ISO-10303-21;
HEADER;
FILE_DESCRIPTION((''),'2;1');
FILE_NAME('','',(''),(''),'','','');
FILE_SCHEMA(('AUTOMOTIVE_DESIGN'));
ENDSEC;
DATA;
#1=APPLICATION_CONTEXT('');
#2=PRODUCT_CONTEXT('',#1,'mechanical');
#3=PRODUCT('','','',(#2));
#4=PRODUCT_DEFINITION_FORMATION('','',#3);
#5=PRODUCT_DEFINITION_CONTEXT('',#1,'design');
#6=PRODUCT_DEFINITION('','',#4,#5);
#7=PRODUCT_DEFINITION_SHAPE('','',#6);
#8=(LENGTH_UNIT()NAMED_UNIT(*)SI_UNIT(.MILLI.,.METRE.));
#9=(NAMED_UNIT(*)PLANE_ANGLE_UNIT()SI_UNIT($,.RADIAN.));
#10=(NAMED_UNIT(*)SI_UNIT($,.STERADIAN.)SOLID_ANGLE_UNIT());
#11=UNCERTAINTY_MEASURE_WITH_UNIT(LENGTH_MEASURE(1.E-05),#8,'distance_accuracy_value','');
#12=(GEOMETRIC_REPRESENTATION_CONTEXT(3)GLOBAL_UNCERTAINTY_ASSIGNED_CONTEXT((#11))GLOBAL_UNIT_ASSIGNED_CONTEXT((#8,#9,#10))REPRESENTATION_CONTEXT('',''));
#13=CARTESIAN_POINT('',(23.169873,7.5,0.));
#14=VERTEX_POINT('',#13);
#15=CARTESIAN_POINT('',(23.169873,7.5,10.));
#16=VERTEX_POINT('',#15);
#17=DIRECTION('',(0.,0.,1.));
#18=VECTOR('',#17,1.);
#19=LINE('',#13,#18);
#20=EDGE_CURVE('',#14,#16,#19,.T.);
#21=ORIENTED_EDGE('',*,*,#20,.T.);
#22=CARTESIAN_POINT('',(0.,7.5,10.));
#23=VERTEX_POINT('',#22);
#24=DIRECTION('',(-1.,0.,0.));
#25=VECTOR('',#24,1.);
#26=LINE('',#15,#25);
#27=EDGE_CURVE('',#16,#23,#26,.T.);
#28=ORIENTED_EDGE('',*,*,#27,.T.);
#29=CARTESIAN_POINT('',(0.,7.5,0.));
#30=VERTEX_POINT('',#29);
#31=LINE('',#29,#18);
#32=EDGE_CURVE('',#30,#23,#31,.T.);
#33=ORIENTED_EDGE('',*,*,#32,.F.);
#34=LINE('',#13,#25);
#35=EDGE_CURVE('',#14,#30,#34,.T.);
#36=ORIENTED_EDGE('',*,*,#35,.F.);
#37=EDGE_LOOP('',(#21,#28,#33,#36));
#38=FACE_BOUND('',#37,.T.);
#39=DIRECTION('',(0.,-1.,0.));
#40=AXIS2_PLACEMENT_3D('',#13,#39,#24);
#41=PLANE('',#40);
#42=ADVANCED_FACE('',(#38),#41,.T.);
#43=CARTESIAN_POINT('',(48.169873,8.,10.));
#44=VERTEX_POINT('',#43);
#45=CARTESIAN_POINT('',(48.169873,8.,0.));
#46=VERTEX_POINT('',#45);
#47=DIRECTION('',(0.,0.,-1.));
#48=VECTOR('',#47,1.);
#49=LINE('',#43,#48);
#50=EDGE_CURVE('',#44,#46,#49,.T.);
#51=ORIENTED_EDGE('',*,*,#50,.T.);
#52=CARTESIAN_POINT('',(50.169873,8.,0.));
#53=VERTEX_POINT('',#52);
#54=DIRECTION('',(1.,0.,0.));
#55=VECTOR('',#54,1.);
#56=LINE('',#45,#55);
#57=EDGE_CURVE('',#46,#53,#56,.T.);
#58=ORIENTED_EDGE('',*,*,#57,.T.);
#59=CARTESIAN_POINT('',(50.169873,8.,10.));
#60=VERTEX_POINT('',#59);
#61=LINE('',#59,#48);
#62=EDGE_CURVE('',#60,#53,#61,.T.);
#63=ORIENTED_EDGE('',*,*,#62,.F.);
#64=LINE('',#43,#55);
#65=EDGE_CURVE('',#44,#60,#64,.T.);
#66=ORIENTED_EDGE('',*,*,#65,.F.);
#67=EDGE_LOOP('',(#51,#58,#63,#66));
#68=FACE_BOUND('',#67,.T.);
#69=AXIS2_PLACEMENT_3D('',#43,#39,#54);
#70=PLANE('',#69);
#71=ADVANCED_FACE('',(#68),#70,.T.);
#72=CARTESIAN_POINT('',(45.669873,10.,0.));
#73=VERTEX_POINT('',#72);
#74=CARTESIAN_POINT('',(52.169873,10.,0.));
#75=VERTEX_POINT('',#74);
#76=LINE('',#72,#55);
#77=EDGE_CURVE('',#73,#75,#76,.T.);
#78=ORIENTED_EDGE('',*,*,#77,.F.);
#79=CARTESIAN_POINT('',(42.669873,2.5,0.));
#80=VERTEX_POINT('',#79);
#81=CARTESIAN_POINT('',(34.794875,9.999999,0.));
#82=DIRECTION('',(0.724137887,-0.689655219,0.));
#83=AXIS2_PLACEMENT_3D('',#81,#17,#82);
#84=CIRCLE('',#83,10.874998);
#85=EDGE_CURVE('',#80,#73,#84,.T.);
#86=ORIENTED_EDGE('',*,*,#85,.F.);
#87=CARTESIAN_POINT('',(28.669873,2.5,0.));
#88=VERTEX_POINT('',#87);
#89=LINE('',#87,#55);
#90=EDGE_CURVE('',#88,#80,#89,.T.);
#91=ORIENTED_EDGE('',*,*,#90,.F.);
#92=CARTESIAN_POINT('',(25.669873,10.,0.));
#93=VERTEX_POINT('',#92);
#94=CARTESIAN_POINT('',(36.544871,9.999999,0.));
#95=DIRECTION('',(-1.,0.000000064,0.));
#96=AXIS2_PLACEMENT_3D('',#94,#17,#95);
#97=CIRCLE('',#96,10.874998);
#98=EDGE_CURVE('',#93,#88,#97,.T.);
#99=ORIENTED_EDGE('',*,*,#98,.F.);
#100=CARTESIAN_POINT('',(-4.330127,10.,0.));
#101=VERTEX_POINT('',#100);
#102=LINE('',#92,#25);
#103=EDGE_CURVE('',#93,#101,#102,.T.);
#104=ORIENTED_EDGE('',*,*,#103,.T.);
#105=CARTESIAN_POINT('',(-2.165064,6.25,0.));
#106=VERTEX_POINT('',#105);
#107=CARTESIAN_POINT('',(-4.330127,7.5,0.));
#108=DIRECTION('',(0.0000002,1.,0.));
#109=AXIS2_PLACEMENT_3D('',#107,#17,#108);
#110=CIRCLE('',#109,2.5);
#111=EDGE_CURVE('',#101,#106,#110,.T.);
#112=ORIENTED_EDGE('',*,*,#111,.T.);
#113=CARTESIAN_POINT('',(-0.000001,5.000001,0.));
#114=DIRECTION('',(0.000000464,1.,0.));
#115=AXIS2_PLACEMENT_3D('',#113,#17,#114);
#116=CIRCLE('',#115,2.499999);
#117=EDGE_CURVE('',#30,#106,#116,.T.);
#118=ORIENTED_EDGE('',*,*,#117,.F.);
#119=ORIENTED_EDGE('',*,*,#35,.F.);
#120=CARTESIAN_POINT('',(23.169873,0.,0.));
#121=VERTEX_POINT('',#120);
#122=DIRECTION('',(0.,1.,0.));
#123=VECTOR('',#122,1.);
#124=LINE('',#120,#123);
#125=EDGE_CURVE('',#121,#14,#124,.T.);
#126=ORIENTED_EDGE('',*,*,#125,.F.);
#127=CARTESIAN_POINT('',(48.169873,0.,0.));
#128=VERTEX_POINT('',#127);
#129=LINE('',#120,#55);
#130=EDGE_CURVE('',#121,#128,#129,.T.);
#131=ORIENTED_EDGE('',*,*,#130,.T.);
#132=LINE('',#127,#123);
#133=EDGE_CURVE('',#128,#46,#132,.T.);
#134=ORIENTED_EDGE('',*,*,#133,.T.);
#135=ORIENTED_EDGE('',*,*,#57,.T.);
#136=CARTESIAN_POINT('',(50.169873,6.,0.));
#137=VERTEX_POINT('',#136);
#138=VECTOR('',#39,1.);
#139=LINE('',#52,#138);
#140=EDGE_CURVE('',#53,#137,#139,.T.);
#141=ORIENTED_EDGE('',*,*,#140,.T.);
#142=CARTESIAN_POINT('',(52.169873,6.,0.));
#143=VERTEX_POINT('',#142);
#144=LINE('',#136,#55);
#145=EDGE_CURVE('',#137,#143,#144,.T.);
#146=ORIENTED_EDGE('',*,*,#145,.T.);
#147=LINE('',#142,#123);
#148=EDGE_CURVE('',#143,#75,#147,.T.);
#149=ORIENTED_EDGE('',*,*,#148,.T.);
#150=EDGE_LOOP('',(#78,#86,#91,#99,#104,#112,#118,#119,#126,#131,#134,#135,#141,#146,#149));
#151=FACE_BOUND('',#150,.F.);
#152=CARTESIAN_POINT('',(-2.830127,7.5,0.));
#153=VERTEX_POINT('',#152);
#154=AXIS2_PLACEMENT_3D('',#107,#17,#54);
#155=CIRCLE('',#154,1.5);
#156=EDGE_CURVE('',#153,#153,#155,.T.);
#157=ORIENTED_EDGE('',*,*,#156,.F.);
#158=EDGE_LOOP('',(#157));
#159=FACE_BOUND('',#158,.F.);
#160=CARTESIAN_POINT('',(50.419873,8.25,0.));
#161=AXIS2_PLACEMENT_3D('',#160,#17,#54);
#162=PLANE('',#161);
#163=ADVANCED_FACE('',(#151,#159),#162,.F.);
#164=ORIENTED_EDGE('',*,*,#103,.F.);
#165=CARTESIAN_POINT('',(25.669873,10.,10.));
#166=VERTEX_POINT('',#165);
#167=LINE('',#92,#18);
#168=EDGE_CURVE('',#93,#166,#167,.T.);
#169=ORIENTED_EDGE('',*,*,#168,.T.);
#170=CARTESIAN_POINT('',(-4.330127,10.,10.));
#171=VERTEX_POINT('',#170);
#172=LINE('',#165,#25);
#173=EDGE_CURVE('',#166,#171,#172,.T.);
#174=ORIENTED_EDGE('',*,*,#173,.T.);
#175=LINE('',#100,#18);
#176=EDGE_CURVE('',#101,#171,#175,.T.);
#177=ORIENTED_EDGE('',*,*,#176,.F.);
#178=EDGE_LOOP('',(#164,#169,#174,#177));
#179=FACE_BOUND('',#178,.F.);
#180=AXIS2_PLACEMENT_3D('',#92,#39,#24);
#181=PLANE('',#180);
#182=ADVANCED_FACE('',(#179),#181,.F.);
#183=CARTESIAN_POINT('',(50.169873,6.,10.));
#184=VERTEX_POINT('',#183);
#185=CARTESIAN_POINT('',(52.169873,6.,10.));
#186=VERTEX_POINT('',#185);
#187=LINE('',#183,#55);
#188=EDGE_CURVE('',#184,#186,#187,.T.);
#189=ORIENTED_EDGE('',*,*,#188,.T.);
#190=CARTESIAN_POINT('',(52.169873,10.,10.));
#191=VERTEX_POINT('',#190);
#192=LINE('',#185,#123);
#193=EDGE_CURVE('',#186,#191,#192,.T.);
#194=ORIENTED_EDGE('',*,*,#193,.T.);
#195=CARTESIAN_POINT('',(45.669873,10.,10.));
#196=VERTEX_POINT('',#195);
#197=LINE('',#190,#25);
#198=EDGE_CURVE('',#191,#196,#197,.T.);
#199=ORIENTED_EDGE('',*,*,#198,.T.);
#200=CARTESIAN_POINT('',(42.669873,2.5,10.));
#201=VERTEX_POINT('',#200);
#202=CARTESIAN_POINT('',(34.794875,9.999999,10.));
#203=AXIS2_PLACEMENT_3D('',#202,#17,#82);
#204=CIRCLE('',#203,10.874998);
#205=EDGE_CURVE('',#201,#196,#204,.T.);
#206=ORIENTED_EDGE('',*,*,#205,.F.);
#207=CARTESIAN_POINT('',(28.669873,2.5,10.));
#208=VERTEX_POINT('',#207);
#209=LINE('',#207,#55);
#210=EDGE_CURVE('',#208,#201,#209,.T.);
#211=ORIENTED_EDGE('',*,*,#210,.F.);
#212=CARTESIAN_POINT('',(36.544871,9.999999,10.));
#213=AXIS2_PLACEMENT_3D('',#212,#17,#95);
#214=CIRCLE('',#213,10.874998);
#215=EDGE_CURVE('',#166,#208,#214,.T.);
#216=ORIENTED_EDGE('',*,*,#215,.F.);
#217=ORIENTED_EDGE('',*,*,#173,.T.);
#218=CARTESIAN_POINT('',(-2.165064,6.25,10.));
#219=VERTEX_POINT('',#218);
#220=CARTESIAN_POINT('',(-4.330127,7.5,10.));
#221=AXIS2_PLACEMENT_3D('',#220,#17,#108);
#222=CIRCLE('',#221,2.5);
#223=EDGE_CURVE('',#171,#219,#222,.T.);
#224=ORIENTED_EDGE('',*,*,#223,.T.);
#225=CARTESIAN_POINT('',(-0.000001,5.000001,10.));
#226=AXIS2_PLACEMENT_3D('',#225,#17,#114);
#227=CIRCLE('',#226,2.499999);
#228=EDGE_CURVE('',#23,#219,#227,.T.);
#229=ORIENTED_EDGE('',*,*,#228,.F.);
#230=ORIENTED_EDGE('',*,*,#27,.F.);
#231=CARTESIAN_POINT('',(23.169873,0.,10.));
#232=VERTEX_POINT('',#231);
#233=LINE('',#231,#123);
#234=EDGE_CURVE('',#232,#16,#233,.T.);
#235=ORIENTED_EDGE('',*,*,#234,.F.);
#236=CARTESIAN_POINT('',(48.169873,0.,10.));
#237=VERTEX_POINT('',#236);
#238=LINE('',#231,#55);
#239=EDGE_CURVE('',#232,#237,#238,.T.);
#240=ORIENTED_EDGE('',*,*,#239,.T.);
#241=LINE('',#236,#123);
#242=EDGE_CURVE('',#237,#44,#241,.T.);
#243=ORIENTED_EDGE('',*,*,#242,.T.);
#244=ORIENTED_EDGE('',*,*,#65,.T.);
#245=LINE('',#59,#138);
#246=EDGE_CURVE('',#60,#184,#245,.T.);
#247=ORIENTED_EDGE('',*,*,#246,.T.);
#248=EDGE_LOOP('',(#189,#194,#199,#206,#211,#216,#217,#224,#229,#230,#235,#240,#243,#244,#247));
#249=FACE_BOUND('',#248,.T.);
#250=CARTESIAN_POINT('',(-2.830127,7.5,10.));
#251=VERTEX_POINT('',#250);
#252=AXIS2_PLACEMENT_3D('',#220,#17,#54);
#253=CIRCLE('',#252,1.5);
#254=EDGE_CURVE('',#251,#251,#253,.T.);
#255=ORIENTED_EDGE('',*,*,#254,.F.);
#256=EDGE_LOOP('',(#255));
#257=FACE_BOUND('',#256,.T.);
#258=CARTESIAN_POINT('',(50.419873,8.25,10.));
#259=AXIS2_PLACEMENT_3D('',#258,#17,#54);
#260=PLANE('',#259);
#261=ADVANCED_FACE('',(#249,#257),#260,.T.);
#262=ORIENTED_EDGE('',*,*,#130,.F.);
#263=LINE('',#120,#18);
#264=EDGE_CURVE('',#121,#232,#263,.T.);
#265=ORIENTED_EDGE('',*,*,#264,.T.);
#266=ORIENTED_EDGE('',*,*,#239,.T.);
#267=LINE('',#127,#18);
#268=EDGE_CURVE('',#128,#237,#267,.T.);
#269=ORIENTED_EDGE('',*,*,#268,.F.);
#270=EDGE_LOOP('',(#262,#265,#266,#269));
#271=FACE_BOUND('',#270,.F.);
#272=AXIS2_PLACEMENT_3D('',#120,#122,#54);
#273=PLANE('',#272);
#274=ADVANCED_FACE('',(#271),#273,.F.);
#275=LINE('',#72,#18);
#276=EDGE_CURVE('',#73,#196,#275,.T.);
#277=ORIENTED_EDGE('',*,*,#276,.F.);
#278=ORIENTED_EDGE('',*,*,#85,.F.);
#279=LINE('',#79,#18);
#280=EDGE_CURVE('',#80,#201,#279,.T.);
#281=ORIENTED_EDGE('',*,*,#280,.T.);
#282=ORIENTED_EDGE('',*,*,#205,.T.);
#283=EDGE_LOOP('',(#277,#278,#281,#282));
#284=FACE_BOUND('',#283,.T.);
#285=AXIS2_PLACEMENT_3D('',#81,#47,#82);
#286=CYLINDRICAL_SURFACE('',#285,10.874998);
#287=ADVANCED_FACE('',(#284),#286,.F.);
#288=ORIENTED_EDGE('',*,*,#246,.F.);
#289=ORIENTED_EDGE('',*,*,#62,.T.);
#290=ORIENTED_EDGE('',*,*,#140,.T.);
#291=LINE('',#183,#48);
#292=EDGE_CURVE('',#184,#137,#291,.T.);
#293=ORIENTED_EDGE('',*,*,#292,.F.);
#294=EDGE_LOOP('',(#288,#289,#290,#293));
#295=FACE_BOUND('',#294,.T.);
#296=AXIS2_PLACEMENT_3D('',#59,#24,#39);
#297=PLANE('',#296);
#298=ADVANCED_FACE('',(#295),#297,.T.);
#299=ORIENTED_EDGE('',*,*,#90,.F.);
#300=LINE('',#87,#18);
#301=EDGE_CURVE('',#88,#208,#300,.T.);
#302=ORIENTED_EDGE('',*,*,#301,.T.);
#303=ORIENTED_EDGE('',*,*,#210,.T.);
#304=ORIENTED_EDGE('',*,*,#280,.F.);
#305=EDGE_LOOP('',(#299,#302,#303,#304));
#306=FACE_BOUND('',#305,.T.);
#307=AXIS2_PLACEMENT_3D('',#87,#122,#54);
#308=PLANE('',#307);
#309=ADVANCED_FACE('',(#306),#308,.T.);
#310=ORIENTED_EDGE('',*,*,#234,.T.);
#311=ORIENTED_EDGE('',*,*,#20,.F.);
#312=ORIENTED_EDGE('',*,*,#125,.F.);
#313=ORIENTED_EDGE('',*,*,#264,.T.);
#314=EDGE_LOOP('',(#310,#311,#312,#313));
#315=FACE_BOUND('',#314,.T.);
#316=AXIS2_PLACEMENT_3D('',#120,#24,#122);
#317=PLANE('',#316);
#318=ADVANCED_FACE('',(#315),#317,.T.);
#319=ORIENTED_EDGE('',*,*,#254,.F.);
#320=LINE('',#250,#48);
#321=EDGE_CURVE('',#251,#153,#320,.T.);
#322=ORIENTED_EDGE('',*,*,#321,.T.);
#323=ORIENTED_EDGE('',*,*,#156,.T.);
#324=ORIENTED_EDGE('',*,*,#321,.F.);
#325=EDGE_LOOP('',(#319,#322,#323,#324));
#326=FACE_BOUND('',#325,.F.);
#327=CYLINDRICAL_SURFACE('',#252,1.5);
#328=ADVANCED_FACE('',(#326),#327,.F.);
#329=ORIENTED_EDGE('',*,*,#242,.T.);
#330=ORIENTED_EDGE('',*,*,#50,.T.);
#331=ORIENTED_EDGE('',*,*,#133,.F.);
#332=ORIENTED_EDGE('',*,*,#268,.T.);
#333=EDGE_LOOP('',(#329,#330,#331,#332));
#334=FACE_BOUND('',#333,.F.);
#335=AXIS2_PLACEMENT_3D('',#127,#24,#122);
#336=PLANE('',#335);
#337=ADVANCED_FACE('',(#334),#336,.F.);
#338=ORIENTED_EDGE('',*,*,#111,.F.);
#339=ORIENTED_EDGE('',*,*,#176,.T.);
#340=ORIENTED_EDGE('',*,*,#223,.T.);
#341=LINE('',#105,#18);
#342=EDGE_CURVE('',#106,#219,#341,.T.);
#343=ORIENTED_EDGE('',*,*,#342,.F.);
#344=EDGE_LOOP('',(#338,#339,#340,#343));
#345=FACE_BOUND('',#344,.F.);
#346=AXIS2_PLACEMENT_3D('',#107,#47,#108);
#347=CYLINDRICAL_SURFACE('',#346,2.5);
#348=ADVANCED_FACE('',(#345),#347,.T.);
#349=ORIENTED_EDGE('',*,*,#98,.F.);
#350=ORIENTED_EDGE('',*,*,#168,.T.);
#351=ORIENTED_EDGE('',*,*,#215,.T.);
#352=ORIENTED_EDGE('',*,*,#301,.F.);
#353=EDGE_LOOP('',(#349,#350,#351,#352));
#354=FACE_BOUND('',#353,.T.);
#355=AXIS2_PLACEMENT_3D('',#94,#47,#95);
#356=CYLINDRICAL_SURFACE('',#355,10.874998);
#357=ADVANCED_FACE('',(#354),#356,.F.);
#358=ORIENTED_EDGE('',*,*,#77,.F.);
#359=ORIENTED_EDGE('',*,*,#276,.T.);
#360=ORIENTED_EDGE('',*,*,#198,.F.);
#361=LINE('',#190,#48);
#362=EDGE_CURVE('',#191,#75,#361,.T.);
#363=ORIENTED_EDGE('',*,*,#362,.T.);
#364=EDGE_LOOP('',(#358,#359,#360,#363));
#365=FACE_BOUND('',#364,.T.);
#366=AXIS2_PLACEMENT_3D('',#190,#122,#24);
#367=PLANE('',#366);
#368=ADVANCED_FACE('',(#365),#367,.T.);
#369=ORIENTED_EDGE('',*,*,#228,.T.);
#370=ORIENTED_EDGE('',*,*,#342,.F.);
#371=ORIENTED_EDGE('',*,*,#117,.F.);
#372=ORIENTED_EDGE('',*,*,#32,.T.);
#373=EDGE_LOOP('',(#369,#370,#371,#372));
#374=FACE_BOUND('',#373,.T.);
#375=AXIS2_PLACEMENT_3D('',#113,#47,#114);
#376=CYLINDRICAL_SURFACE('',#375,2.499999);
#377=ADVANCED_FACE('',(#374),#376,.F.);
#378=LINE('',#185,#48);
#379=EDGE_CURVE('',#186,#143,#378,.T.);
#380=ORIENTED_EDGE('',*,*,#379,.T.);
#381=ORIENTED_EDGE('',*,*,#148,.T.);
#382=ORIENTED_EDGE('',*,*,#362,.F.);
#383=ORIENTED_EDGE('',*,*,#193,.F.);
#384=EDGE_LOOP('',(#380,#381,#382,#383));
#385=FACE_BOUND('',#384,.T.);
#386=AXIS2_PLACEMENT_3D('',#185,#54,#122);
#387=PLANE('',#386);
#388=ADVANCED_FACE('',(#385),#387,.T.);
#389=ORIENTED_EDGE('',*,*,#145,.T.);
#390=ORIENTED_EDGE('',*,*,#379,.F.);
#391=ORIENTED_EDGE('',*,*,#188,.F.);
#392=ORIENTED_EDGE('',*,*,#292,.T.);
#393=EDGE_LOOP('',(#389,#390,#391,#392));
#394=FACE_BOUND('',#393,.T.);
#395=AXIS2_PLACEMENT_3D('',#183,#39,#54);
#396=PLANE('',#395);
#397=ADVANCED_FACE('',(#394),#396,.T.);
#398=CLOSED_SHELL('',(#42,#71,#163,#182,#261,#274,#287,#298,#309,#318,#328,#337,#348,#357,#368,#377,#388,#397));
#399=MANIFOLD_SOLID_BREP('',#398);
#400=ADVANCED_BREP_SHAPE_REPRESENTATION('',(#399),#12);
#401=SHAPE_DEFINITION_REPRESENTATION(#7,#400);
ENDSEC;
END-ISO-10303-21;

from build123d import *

# Parameters (mm, degrees)
PAD_DEPTH    = 10
PAD001_DEPTH = 10
SKETCH002_R  = 1.5
POCKET_DEPTH = 10.001


with BuildPart() as part:
    # Sketch → Pad (new body)
    with BuildSketch(Plane.XY):
        with BuildLine():
            ThreePointArc((25.669873, 10), (26.447689, 5.961126), (28.669873, 2.5))
            Line((28.669873, 2.5), (42.669873, 2.5))
            ThreePointArc((42.669873, 2.5), (44.892057, 5.961126), (45.669873, 10))
            Line((48.169873, 10), (45.669873, 10))
            Line((48.169873, 0), (48.169873, 10))
            Line((23.169873, 0), (48.169873, 0))
            Line((23.169873, 0), (23.169873, 7.5))
            Line((23.169873, 7.5), (0, 7.5))
            ThreePointArc((0, 7.5), (-1.25, 7.165064), (-2.165064, 6.25))
            ThreePointArc((-4.330127, 10), (-6.495191, 6.25), (-2.165064, 6.25))
            Line((-4.330127, 10), (23.169873, 10))
            Line((25.669873, 10), (23.169873, 10))
        make_face()
    extrude(amount=PAD_DEPTH)

    # Sketch001 (on Face12 of Pad) → Pad001 (join)
    with BuildSketch(Plane.XY.offset(10)):
        Polygon((48.169873, 10), (48.169873, 8), (50.169873, 8), (50.169873, 6), (52.169873, 6), (52.169873, 10), align=None)
    extrude(amount=-PAD001_DEPTH)

    # Sketch002 (on Face17 of Pad001) → Pocket (cut, through all)
    with BuildSketch(Plane.XY.offset(10)):
        with Locations((-4.330127, 7.5)):
            Circle(SKETCH002_R)
    extrude(amount=-POCKET_DEPTH, mode=Mode.SUBTRACT)


solid = part.part
